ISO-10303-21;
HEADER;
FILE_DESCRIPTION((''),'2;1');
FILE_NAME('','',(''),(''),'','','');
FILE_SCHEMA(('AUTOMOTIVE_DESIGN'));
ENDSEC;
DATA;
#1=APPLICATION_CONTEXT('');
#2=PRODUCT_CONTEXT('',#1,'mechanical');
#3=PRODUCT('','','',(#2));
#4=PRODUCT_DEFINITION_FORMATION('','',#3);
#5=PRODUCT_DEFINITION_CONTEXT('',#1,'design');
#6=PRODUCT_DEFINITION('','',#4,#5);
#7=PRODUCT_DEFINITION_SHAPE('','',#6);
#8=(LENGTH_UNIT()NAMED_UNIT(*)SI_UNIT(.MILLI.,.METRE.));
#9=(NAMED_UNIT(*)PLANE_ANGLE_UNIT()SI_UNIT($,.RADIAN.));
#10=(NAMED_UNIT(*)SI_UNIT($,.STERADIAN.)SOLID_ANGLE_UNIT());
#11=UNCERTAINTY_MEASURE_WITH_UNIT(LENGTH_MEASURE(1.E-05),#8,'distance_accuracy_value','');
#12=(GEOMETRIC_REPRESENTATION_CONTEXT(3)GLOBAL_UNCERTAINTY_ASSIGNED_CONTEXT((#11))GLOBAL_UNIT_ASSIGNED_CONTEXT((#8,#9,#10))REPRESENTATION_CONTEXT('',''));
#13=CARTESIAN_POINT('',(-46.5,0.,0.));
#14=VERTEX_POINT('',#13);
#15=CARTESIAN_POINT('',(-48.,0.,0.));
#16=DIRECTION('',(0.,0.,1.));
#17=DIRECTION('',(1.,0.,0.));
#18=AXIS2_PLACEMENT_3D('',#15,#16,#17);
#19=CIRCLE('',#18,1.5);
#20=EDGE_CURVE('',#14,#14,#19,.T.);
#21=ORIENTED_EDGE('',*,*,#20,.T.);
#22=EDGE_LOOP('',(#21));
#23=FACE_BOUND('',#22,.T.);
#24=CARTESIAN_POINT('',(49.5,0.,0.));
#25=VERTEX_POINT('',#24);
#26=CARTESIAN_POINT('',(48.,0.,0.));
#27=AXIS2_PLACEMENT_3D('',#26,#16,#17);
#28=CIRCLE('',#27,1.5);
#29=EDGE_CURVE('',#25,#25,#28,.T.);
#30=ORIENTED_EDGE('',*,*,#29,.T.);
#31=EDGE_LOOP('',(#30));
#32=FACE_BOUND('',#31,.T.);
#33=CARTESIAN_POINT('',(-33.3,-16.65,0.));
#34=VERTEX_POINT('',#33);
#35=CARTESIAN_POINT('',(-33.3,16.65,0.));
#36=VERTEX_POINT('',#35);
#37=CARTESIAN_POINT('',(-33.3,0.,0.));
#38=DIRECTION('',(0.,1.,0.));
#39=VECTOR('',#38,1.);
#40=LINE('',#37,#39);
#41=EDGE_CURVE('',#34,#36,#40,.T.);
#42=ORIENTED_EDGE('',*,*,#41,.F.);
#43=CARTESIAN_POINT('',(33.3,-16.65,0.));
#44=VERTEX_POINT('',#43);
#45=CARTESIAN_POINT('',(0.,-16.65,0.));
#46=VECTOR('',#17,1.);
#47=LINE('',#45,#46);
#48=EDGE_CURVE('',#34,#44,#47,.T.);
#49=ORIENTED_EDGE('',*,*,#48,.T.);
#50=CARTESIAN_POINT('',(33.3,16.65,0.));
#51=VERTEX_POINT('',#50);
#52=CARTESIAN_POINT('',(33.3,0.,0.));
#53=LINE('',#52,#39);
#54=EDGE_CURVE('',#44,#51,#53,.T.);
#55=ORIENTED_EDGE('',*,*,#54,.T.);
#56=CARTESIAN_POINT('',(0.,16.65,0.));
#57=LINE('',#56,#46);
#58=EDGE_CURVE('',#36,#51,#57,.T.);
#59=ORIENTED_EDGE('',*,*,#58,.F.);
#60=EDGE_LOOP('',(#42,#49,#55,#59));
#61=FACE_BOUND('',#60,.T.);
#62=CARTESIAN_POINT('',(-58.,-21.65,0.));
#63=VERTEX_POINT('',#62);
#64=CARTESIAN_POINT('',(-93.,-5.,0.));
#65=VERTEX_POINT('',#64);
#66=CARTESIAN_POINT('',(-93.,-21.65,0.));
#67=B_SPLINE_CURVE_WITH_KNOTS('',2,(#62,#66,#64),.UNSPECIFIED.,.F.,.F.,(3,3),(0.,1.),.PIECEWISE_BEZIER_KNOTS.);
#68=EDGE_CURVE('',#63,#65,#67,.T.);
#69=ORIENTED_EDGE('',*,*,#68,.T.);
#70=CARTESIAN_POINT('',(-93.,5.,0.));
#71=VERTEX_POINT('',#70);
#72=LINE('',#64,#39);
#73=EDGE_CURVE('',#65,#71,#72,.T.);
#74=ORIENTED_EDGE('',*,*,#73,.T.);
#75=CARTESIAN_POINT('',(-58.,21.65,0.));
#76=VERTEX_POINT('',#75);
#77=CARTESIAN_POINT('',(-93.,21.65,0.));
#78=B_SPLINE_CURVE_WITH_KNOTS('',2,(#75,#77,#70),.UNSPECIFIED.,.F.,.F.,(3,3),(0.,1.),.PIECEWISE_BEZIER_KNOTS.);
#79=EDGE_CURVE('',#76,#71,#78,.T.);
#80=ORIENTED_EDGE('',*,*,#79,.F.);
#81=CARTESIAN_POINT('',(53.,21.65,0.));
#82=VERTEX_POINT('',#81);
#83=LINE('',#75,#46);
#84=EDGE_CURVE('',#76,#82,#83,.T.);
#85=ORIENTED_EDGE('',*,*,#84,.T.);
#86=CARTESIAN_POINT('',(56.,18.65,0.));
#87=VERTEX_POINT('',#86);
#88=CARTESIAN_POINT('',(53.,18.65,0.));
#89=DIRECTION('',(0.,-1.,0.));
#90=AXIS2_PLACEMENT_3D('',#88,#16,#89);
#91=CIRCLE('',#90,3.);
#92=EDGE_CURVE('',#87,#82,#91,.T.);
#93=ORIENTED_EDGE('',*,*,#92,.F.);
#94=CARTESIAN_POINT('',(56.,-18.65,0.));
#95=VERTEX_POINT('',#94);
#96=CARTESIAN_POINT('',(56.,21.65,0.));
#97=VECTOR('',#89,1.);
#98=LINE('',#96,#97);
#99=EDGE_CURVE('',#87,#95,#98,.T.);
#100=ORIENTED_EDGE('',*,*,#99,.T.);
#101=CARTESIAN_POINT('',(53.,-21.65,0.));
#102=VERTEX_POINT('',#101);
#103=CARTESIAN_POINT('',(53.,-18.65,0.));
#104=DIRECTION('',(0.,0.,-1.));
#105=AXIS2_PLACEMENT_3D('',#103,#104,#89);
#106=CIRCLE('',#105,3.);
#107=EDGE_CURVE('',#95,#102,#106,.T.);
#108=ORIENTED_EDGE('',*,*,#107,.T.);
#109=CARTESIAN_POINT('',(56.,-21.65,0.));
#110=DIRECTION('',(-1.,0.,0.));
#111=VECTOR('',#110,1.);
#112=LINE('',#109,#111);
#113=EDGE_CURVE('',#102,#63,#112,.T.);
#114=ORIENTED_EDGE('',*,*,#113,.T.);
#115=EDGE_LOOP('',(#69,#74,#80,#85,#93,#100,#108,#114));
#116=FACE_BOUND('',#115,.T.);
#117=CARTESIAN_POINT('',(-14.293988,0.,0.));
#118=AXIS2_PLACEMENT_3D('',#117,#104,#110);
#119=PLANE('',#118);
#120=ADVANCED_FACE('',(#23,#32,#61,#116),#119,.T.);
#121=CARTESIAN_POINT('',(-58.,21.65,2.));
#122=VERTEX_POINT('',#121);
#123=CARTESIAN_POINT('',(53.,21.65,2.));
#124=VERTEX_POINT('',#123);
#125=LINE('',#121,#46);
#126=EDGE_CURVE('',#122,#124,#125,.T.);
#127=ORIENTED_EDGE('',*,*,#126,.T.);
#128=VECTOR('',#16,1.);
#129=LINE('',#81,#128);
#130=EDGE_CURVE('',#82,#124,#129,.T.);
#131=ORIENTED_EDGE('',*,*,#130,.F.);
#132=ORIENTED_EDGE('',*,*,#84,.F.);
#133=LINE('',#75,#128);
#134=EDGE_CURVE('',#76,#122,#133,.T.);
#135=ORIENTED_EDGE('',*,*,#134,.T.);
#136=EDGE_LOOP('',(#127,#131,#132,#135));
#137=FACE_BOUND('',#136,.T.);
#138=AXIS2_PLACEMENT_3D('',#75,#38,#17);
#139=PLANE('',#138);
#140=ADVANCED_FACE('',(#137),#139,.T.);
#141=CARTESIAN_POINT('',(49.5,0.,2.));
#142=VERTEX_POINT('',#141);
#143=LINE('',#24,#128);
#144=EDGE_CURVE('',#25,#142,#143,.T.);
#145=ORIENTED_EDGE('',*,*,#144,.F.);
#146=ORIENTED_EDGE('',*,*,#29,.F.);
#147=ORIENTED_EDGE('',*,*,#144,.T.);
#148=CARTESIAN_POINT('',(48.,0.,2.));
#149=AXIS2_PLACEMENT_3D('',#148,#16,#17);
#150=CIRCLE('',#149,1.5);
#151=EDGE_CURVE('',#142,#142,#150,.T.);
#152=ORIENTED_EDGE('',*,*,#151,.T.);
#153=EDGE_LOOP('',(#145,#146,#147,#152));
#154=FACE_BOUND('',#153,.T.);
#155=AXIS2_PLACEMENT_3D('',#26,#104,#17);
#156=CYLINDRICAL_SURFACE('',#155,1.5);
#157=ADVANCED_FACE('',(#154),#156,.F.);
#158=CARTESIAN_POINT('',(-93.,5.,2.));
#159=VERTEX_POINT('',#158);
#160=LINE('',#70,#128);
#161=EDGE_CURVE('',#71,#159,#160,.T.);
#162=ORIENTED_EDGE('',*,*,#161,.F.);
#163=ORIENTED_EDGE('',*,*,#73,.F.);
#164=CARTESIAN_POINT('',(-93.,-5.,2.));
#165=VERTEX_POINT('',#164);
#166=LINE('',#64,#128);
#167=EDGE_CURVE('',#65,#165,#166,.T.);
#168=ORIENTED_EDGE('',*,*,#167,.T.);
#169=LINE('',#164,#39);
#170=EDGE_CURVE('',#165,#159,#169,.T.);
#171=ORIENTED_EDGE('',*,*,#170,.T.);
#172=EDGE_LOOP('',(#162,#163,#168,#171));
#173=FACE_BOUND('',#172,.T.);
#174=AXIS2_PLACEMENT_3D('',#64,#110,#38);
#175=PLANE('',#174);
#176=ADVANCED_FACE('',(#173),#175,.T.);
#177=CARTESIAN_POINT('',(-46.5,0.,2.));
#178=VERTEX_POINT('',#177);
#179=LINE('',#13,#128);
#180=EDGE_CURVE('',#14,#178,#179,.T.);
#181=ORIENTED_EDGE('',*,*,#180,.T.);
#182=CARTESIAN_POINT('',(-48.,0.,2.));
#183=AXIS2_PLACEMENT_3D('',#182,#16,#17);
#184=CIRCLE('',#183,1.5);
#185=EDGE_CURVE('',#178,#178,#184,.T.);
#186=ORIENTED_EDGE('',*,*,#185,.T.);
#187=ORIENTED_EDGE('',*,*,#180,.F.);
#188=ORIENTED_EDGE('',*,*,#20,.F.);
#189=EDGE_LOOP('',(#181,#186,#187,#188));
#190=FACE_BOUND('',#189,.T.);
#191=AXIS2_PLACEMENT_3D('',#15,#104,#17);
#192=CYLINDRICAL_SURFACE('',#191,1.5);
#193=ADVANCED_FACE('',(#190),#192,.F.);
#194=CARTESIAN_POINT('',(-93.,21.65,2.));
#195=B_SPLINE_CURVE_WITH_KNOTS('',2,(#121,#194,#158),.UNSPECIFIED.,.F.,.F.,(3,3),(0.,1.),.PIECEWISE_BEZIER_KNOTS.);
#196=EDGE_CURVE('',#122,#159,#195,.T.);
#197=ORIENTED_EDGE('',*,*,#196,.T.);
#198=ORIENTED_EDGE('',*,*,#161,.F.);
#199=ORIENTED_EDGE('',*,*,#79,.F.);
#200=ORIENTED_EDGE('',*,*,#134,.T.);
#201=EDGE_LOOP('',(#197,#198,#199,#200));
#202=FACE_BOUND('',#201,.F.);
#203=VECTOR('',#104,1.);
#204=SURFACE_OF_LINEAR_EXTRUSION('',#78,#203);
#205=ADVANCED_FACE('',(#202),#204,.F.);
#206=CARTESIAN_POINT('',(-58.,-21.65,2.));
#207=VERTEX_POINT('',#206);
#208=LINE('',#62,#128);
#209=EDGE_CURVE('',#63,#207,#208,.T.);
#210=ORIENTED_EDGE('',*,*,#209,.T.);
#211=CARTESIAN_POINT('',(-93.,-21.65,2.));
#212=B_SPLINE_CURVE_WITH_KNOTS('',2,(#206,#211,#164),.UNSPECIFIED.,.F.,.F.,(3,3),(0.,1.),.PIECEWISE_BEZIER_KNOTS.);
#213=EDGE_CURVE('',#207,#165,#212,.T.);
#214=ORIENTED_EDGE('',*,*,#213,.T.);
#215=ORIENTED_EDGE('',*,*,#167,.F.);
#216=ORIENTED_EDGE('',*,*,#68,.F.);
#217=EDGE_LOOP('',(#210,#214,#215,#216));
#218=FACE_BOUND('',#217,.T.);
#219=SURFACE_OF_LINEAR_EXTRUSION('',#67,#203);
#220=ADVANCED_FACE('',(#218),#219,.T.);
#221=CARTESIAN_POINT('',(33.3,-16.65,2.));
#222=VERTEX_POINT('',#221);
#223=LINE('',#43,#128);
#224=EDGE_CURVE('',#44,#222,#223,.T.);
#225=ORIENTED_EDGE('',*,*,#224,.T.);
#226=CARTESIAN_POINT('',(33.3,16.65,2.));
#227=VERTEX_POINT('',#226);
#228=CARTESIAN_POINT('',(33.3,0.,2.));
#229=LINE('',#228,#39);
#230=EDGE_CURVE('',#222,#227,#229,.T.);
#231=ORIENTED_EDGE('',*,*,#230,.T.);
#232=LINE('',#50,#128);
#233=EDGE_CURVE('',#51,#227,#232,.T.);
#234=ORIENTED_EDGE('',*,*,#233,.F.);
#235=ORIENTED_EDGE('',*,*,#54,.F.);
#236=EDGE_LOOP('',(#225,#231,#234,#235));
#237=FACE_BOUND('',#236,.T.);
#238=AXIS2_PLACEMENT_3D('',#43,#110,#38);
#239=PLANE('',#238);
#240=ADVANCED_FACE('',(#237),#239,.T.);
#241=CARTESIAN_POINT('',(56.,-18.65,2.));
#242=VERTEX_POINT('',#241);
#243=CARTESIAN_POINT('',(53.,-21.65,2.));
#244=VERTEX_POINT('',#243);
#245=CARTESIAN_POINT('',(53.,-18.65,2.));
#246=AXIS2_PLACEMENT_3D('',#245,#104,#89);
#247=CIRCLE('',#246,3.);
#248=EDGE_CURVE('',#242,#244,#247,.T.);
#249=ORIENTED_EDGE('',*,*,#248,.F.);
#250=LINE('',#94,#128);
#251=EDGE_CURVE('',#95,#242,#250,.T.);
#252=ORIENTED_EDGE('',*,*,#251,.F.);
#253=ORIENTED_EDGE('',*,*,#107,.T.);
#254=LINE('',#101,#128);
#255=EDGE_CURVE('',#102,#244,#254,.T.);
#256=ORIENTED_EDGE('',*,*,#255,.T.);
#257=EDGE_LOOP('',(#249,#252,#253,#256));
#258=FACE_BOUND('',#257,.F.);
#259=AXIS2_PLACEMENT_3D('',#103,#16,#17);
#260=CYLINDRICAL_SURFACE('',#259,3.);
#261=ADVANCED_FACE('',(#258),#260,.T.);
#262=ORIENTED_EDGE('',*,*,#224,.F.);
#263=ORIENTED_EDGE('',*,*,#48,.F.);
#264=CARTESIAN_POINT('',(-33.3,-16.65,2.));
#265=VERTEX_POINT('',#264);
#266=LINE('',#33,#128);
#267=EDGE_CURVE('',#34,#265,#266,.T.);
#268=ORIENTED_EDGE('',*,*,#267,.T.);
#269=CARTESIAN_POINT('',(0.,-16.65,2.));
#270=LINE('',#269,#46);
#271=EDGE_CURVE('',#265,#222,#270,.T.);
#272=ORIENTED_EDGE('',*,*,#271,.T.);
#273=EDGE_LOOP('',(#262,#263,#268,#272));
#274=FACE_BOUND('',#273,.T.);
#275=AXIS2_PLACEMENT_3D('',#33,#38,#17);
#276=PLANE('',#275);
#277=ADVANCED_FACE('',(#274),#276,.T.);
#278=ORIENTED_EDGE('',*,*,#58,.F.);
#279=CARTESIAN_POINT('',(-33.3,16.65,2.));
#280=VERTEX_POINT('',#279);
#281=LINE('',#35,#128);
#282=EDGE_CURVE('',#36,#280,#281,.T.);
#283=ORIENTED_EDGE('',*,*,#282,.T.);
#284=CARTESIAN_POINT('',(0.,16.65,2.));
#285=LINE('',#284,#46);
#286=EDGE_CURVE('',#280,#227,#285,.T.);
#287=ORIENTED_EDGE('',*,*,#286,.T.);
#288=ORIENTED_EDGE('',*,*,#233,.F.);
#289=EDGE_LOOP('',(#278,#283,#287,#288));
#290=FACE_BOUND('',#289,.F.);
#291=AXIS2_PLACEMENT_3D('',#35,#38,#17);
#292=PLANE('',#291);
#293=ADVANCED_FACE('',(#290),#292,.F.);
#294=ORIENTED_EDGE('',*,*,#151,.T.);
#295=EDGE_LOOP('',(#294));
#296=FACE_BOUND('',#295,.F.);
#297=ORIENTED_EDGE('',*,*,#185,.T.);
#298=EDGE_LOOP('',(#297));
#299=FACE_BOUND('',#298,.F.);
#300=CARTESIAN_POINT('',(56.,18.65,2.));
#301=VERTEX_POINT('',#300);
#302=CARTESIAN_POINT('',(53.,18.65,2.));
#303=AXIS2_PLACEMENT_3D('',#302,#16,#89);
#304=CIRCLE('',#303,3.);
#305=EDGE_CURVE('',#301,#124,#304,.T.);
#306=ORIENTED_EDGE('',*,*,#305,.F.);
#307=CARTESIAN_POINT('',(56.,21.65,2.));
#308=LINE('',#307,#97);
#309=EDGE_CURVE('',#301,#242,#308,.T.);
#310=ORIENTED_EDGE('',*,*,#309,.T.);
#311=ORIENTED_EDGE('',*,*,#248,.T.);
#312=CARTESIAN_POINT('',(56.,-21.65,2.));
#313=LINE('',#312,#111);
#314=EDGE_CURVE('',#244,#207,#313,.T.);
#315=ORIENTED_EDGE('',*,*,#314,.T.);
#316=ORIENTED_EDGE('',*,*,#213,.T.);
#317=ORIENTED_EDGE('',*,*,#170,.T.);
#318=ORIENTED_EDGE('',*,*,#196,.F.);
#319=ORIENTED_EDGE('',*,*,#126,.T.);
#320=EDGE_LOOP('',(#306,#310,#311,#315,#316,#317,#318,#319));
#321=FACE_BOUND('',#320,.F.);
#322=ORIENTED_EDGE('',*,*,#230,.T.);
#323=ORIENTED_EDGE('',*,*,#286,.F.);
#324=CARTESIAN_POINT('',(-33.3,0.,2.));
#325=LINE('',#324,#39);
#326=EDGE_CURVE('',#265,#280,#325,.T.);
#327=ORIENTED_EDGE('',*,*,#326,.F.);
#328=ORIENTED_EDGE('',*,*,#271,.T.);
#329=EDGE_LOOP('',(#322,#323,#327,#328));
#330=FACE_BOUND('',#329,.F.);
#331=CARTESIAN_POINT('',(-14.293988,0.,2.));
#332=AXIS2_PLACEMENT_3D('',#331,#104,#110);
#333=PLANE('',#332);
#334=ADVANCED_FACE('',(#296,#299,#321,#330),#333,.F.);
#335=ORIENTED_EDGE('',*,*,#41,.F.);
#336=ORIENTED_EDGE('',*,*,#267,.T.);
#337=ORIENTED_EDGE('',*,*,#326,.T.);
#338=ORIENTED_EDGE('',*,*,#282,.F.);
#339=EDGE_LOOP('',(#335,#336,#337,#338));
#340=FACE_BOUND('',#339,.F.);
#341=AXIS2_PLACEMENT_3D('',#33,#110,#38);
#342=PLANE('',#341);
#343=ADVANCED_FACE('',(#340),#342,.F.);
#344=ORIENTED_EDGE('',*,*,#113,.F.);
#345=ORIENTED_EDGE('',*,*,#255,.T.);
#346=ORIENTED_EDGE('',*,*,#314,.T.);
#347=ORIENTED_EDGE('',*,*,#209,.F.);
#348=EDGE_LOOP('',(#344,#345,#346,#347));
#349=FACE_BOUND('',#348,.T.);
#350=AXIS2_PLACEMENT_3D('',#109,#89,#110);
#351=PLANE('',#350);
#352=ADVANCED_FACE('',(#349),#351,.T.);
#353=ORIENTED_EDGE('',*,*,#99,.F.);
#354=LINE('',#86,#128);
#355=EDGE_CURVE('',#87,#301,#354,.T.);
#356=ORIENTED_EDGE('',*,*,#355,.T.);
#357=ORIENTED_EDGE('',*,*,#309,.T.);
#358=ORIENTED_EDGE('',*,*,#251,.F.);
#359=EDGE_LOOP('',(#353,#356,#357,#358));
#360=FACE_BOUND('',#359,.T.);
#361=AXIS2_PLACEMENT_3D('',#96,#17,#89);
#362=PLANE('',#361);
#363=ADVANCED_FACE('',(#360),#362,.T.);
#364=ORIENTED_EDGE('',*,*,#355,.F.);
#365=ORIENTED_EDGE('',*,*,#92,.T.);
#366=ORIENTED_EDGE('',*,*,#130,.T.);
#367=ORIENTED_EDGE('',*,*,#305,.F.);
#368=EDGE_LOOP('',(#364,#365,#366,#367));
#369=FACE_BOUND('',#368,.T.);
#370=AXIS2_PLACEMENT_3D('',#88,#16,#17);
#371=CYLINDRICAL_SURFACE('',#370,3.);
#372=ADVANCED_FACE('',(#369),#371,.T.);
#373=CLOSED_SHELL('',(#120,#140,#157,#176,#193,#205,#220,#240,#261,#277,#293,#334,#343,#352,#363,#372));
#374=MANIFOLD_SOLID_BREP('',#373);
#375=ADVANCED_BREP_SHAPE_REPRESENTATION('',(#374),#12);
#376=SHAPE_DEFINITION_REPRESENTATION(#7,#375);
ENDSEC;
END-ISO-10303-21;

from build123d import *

# Parameters (mm, degrees)
SKETCH_W     = 66.6
SKETCH_H     = 33.3
SKETCH_R     = 1.5
PAD001_DEPTH = 2
FILLET001_R  = 3
FILLET002_R  = 3


with BuildPart() as part:
    # Sketch → Pad001 (new body)
    with BuildSketch(Plane.XY):
        with BuildLine():
            Line((-58, 21.65), (56, 21.65))
            Line((56, 21.65), (56, -21.65))
            Line((56, -21.65), (-58, -21.65))
            add(Edge.make_bspline(
                [(-58, -21.65), (-93, -21.65), (-93, -5)],
                knots=[0, 0, 0, 1, 1, 1], degree=2))
            Line((-93, -5), (-93, 5))
            add(Edge.make_bspline(
                [(-58, 21.65), (-93, 21.65), (-93, 5)],
                knots=[0, 0, 0, 1, 1, 1], degree=2))
        make_face()
        Rectangle(SKETCH_W, SKETCH_H, mode=Mode.SUBTRACT)
        with Locations((-48, 0)):
            Circle(SKETCH_R, mode=Mode.SUBTRACT)
        with Locations((48, 0)):
            Circle(SKETCH_R, mode=Mode.SUBTRACT)
    extrude(amount=PAD001_DEPTH)

    # Fillet001
    fillet001_edges = [part.edges().sort_by_distance(p)[0] for p in [
        (56, -21.65, 1),
    ]]
    fillet(fillet001_edges, radius=FILLET001_R)

    # Fillet002
    fillet002_edges = [part.edges().sort_by_distance(p)[0] for p in [
        (56, 21.65, 1),
    ]]
    fillet(fillet002_edges, radius=FILLET002_R)


solid = part.part
